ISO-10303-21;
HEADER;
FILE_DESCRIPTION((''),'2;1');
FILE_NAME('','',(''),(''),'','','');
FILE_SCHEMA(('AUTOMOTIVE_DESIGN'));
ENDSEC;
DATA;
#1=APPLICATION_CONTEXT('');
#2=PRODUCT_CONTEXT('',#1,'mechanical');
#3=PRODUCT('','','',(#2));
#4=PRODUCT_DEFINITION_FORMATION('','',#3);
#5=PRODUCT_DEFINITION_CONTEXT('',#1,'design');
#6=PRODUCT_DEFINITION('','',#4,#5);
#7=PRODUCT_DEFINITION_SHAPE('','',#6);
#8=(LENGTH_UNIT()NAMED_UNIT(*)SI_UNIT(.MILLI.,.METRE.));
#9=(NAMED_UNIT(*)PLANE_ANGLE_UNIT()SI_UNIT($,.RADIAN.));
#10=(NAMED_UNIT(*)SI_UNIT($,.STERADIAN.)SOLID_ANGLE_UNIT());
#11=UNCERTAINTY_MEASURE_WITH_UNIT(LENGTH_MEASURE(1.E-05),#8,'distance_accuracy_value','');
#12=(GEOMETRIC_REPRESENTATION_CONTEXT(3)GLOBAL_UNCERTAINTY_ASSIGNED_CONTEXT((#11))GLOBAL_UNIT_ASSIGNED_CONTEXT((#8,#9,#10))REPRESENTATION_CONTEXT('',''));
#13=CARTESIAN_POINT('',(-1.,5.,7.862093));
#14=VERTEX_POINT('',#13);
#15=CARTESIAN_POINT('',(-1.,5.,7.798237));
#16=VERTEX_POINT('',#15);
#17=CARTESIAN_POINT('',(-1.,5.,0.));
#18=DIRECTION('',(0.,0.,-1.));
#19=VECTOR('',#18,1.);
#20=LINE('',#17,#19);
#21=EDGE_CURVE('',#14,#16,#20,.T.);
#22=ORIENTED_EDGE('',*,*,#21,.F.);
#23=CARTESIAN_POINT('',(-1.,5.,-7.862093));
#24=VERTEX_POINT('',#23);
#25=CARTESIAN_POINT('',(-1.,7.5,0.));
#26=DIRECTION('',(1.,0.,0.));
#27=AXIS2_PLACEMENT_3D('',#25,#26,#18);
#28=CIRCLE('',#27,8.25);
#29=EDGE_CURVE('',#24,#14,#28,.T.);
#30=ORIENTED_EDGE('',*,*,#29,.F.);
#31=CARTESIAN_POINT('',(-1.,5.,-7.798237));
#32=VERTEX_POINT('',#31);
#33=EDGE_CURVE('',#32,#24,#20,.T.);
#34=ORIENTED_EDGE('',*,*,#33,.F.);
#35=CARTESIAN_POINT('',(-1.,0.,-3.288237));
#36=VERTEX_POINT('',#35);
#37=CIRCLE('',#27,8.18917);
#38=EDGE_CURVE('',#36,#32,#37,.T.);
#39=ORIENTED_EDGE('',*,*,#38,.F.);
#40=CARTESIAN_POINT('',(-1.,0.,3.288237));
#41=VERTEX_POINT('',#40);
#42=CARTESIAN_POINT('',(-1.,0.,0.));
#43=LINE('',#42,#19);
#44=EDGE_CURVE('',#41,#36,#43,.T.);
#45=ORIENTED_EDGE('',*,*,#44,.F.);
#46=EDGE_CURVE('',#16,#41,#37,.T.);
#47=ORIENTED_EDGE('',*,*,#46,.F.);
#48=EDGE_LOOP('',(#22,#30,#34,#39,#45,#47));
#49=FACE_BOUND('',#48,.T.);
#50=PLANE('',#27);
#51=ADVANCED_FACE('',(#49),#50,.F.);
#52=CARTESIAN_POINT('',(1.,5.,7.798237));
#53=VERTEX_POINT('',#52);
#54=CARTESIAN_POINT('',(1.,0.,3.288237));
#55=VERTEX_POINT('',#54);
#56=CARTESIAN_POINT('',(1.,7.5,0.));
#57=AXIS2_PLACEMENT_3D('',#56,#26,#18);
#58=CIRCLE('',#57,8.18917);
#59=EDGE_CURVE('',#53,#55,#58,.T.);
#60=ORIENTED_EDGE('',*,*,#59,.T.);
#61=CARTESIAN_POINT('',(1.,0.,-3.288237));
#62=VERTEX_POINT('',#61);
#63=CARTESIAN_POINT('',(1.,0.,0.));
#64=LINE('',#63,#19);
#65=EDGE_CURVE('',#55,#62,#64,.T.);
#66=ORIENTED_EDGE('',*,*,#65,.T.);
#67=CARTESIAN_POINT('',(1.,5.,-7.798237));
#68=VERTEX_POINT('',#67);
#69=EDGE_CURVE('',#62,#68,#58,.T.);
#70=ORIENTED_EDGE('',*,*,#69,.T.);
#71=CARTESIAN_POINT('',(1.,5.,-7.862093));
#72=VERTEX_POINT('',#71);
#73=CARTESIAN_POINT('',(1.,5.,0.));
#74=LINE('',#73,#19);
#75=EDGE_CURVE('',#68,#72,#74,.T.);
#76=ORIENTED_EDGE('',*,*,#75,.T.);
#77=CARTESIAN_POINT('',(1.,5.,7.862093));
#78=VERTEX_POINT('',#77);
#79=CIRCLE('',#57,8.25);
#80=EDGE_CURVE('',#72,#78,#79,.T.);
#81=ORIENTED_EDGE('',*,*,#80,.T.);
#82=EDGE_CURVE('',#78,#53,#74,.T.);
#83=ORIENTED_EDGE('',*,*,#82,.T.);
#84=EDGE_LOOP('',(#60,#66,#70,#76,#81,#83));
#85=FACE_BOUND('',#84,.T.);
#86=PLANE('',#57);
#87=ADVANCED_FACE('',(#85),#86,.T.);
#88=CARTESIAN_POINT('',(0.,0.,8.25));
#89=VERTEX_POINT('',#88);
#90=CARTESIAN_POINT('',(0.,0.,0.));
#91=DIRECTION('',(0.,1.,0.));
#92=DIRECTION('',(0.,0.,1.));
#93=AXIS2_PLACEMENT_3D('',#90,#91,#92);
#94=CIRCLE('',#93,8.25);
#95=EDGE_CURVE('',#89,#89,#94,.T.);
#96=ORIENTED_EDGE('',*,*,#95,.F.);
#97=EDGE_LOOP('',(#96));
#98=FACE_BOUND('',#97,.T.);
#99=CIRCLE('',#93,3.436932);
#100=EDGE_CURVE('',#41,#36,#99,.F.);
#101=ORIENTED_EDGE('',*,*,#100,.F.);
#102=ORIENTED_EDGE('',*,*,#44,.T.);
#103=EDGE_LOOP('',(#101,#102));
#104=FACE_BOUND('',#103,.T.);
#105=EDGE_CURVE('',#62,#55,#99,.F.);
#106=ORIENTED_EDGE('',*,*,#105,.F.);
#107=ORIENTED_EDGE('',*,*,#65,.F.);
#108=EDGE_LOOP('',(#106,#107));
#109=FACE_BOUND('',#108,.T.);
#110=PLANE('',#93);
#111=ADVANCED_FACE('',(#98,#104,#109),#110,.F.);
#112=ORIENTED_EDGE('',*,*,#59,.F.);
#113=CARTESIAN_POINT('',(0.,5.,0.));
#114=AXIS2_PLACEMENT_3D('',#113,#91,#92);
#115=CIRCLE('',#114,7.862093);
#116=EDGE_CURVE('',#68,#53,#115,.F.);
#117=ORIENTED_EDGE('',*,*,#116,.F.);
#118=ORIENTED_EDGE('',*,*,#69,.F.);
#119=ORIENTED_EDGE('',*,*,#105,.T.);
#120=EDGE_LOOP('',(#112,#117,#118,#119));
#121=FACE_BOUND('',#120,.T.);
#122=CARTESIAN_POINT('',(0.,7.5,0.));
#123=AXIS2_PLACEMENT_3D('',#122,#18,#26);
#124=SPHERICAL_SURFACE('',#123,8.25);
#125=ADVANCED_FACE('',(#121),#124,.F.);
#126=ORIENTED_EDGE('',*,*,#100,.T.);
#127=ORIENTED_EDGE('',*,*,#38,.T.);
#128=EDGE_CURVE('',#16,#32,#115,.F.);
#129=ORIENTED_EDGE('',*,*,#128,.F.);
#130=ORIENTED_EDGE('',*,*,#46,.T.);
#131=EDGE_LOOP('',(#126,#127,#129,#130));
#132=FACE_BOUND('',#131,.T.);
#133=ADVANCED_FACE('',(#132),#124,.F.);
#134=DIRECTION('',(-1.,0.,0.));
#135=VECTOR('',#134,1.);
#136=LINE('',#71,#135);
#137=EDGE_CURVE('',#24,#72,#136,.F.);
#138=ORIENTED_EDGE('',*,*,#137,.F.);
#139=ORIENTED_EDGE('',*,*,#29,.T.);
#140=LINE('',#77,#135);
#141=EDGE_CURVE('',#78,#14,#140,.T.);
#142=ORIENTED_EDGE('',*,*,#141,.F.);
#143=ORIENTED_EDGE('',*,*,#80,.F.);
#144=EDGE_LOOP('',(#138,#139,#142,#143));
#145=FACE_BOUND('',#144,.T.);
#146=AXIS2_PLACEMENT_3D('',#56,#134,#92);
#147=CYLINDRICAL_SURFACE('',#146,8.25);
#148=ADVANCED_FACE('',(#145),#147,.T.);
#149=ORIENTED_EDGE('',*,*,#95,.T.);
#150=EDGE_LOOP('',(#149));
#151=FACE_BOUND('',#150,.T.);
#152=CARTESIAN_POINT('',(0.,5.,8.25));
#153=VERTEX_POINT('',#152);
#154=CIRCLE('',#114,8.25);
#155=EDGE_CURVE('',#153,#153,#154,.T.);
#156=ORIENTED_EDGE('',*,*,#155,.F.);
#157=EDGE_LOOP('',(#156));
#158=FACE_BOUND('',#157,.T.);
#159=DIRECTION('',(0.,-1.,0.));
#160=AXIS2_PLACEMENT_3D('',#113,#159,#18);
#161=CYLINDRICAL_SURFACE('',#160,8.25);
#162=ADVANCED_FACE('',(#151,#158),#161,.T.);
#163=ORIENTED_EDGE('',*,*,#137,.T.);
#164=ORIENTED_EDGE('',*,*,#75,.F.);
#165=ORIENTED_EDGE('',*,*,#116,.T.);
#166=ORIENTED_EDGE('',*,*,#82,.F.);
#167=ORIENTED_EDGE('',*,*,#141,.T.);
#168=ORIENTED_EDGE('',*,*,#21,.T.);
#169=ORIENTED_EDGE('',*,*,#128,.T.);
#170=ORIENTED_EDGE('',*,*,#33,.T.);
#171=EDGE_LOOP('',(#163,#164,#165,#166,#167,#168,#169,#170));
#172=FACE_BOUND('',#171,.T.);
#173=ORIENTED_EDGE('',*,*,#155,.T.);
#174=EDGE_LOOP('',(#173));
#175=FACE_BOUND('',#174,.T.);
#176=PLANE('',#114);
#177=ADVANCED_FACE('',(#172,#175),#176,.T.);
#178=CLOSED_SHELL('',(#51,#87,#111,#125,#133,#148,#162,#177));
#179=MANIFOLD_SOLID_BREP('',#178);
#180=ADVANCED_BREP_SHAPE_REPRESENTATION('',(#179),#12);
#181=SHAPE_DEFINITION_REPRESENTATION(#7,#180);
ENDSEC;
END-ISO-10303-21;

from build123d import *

# Parameters (mm, degrees)
CROQUIS1_R              = 8.25
SALIENTE_EXTRUIR1_DEPTH = 5
CROQUIS11_R             = 8.25
SALIENTE_EXTRUIR2_DEPTH = 1
CROQUIS13_W             = 16.491898527
CROQUIS13_H             = 1.592253137
CORTAR_EXTRUIR11_DEPTH  = 25.32457605


with BuildPart() as part:
    # Croquis1 → Saliente-Extruir1 (new body)
    with BuildSketch(Plane(origin=(0, 0, 0), x_dir=(1, 0, 0), z_dir=(0, 1, 0))):
        with Locations(Location((0, 0, 0), (0, 0, 270))):
            Circle(CROQUIS1_R)
    extrude(amount=SALIENTE_EXTRUIR1_DEPTH)

    # Croquis10 → Cortar-Revolución1 (revolve, cut)
    with BuildSketch(Plane(origin=(0, 7.5, 0), x_dir=(1, 0, 0), z_dir=(0, 1, 0))):
        with BuildLine():
            Line((0, 8.25), (0, -8.25))
            ThreePointArc((0, -8.25), (8.25, 0), (0, 8.25))
        make_face()
    revolve(axis=Axis((0, 7.5, -8.25), (0, 0, 1)), mode=Mode.SUBTRACT)

    # Croquis11 → Saliente-Extruir2 (add, symmetric)
    with BuildSketch(Plane(origin=(0, 0, 0), x_dir=(0, 0, -1), z_dir=(1, 0, 0))):
        with Locations((0, 7.5)):
            Circle(CROQUIS11_R)
    extrude(amount=SALIENTE_EXTRUIR2_DEPTH, both=True)

    # Croquis13 → Cortar-Extruir11 (cut, through all)
    with BuildSketch(Plane.XY.offset(-8.35)):
        with Locations((-0.004050736, -0.796126569)):
            Rectangle(CROQUIS13_W, CROQUIS13_H)
    extrude(amount=CORTAR_EXTRUIR11_DEPTH, mode=Mode.SUBTRACT)


solid = part.part
